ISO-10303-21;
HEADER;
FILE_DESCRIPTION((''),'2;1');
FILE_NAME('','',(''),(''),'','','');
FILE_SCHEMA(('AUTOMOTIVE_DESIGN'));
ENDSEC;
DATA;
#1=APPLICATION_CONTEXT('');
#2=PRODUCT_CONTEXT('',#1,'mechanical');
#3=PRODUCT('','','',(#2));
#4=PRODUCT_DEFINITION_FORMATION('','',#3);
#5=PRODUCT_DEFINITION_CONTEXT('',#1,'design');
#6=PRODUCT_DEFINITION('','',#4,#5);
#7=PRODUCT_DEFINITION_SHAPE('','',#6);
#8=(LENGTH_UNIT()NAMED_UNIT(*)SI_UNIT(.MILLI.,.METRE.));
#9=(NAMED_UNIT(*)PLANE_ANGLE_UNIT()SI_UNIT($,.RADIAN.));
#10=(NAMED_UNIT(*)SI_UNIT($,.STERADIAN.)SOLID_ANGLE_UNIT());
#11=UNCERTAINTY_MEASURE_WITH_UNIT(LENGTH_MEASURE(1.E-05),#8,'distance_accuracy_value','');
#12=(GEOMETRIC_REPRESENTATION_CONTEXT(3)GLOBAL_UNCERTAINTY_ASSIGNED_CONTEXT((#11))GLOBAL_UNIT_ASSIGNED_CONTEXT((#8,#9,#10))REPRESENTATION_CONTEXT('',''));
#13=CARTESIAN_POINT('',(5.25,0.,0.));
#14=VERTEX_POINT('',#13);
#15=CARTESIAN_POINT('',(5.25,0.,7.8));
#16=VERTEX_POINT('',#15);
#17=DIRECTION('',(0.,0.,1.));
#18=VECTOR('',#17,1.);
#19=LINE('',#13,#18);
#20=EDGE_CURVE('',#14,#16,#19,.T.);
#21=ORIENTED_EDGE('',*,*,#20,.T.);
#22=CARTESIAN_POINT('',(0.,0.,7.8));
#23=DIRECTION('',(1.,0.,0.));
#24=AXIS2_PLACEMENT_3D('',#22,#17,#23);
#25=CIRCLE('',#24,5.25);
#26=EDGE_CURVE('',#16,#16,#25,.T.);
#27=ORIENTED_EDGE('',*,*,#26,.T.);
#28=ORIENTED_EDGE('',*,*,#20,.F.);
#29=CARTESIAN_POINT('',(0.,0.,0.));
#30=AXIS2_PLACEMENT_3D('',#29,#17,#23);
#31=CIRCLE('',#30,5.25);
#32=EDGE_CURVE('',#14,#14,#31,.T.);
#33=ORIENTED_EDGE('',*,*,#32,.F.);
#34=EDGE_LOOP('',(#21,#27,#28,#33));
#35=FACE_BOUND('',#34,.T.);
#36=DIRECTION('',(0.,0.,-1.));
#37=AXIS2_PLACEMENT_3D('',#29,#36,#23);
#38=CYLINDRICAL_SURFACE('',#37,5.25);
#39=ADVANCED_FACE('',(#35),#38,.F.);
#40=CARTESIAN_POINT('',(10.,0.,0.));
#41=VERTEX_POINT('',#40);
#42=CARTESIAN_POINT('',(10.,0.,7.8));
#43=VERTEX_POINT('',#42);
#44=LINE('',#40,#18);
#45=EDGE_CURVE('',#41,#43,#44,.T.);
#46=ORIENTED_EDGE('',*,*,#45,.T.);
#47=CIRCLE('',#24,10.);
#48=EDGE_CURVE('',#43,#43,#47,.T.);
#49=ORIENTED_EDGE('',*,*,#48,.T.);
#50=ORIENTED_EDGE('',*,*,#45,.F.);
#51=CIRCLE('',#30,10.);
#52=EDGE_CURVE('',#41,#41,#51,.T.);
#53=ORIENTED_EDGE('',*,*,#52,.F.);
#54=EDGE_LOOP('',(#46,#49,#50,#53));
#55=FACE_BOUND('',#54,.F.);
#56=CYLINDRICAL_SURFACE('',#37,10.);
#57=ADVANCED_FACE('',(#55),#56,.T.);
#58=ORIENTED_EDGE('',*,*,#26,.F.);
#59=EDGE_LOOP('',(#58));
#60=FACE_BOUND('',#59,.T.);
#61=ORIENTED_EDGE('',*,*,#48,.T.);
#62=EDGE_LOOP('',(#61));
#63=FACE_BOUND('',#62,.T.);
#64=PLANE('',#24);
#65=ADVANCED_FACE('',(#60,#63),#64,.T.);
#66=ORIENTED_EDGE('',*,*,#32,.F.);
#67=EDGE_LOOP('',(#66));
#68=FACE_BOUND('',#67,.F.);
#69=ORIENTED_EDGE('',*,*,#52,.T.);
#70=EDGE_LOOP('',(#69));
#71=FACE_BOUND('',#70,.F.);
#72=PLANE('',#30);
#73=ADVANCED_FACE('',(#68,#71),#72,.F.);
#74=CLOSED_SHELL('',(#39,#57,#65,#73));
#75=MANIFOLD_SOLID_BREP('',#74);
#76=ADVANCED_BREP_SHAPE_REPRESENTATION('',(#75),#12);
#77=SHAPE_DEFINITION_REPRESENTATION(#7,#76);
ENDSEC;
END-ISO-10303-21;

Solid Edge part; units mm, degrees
sketch "Sketch1" plane through (0, 0, 0) normal (0, 0, 1) x (1, 0, 0)
  circle A0 centre (0, 0) radius 10
  circle A1 centre (0, 0) radius 5.25
extrude "Protrusion1" add sketch "Sketch1" along normal blind 7.8
